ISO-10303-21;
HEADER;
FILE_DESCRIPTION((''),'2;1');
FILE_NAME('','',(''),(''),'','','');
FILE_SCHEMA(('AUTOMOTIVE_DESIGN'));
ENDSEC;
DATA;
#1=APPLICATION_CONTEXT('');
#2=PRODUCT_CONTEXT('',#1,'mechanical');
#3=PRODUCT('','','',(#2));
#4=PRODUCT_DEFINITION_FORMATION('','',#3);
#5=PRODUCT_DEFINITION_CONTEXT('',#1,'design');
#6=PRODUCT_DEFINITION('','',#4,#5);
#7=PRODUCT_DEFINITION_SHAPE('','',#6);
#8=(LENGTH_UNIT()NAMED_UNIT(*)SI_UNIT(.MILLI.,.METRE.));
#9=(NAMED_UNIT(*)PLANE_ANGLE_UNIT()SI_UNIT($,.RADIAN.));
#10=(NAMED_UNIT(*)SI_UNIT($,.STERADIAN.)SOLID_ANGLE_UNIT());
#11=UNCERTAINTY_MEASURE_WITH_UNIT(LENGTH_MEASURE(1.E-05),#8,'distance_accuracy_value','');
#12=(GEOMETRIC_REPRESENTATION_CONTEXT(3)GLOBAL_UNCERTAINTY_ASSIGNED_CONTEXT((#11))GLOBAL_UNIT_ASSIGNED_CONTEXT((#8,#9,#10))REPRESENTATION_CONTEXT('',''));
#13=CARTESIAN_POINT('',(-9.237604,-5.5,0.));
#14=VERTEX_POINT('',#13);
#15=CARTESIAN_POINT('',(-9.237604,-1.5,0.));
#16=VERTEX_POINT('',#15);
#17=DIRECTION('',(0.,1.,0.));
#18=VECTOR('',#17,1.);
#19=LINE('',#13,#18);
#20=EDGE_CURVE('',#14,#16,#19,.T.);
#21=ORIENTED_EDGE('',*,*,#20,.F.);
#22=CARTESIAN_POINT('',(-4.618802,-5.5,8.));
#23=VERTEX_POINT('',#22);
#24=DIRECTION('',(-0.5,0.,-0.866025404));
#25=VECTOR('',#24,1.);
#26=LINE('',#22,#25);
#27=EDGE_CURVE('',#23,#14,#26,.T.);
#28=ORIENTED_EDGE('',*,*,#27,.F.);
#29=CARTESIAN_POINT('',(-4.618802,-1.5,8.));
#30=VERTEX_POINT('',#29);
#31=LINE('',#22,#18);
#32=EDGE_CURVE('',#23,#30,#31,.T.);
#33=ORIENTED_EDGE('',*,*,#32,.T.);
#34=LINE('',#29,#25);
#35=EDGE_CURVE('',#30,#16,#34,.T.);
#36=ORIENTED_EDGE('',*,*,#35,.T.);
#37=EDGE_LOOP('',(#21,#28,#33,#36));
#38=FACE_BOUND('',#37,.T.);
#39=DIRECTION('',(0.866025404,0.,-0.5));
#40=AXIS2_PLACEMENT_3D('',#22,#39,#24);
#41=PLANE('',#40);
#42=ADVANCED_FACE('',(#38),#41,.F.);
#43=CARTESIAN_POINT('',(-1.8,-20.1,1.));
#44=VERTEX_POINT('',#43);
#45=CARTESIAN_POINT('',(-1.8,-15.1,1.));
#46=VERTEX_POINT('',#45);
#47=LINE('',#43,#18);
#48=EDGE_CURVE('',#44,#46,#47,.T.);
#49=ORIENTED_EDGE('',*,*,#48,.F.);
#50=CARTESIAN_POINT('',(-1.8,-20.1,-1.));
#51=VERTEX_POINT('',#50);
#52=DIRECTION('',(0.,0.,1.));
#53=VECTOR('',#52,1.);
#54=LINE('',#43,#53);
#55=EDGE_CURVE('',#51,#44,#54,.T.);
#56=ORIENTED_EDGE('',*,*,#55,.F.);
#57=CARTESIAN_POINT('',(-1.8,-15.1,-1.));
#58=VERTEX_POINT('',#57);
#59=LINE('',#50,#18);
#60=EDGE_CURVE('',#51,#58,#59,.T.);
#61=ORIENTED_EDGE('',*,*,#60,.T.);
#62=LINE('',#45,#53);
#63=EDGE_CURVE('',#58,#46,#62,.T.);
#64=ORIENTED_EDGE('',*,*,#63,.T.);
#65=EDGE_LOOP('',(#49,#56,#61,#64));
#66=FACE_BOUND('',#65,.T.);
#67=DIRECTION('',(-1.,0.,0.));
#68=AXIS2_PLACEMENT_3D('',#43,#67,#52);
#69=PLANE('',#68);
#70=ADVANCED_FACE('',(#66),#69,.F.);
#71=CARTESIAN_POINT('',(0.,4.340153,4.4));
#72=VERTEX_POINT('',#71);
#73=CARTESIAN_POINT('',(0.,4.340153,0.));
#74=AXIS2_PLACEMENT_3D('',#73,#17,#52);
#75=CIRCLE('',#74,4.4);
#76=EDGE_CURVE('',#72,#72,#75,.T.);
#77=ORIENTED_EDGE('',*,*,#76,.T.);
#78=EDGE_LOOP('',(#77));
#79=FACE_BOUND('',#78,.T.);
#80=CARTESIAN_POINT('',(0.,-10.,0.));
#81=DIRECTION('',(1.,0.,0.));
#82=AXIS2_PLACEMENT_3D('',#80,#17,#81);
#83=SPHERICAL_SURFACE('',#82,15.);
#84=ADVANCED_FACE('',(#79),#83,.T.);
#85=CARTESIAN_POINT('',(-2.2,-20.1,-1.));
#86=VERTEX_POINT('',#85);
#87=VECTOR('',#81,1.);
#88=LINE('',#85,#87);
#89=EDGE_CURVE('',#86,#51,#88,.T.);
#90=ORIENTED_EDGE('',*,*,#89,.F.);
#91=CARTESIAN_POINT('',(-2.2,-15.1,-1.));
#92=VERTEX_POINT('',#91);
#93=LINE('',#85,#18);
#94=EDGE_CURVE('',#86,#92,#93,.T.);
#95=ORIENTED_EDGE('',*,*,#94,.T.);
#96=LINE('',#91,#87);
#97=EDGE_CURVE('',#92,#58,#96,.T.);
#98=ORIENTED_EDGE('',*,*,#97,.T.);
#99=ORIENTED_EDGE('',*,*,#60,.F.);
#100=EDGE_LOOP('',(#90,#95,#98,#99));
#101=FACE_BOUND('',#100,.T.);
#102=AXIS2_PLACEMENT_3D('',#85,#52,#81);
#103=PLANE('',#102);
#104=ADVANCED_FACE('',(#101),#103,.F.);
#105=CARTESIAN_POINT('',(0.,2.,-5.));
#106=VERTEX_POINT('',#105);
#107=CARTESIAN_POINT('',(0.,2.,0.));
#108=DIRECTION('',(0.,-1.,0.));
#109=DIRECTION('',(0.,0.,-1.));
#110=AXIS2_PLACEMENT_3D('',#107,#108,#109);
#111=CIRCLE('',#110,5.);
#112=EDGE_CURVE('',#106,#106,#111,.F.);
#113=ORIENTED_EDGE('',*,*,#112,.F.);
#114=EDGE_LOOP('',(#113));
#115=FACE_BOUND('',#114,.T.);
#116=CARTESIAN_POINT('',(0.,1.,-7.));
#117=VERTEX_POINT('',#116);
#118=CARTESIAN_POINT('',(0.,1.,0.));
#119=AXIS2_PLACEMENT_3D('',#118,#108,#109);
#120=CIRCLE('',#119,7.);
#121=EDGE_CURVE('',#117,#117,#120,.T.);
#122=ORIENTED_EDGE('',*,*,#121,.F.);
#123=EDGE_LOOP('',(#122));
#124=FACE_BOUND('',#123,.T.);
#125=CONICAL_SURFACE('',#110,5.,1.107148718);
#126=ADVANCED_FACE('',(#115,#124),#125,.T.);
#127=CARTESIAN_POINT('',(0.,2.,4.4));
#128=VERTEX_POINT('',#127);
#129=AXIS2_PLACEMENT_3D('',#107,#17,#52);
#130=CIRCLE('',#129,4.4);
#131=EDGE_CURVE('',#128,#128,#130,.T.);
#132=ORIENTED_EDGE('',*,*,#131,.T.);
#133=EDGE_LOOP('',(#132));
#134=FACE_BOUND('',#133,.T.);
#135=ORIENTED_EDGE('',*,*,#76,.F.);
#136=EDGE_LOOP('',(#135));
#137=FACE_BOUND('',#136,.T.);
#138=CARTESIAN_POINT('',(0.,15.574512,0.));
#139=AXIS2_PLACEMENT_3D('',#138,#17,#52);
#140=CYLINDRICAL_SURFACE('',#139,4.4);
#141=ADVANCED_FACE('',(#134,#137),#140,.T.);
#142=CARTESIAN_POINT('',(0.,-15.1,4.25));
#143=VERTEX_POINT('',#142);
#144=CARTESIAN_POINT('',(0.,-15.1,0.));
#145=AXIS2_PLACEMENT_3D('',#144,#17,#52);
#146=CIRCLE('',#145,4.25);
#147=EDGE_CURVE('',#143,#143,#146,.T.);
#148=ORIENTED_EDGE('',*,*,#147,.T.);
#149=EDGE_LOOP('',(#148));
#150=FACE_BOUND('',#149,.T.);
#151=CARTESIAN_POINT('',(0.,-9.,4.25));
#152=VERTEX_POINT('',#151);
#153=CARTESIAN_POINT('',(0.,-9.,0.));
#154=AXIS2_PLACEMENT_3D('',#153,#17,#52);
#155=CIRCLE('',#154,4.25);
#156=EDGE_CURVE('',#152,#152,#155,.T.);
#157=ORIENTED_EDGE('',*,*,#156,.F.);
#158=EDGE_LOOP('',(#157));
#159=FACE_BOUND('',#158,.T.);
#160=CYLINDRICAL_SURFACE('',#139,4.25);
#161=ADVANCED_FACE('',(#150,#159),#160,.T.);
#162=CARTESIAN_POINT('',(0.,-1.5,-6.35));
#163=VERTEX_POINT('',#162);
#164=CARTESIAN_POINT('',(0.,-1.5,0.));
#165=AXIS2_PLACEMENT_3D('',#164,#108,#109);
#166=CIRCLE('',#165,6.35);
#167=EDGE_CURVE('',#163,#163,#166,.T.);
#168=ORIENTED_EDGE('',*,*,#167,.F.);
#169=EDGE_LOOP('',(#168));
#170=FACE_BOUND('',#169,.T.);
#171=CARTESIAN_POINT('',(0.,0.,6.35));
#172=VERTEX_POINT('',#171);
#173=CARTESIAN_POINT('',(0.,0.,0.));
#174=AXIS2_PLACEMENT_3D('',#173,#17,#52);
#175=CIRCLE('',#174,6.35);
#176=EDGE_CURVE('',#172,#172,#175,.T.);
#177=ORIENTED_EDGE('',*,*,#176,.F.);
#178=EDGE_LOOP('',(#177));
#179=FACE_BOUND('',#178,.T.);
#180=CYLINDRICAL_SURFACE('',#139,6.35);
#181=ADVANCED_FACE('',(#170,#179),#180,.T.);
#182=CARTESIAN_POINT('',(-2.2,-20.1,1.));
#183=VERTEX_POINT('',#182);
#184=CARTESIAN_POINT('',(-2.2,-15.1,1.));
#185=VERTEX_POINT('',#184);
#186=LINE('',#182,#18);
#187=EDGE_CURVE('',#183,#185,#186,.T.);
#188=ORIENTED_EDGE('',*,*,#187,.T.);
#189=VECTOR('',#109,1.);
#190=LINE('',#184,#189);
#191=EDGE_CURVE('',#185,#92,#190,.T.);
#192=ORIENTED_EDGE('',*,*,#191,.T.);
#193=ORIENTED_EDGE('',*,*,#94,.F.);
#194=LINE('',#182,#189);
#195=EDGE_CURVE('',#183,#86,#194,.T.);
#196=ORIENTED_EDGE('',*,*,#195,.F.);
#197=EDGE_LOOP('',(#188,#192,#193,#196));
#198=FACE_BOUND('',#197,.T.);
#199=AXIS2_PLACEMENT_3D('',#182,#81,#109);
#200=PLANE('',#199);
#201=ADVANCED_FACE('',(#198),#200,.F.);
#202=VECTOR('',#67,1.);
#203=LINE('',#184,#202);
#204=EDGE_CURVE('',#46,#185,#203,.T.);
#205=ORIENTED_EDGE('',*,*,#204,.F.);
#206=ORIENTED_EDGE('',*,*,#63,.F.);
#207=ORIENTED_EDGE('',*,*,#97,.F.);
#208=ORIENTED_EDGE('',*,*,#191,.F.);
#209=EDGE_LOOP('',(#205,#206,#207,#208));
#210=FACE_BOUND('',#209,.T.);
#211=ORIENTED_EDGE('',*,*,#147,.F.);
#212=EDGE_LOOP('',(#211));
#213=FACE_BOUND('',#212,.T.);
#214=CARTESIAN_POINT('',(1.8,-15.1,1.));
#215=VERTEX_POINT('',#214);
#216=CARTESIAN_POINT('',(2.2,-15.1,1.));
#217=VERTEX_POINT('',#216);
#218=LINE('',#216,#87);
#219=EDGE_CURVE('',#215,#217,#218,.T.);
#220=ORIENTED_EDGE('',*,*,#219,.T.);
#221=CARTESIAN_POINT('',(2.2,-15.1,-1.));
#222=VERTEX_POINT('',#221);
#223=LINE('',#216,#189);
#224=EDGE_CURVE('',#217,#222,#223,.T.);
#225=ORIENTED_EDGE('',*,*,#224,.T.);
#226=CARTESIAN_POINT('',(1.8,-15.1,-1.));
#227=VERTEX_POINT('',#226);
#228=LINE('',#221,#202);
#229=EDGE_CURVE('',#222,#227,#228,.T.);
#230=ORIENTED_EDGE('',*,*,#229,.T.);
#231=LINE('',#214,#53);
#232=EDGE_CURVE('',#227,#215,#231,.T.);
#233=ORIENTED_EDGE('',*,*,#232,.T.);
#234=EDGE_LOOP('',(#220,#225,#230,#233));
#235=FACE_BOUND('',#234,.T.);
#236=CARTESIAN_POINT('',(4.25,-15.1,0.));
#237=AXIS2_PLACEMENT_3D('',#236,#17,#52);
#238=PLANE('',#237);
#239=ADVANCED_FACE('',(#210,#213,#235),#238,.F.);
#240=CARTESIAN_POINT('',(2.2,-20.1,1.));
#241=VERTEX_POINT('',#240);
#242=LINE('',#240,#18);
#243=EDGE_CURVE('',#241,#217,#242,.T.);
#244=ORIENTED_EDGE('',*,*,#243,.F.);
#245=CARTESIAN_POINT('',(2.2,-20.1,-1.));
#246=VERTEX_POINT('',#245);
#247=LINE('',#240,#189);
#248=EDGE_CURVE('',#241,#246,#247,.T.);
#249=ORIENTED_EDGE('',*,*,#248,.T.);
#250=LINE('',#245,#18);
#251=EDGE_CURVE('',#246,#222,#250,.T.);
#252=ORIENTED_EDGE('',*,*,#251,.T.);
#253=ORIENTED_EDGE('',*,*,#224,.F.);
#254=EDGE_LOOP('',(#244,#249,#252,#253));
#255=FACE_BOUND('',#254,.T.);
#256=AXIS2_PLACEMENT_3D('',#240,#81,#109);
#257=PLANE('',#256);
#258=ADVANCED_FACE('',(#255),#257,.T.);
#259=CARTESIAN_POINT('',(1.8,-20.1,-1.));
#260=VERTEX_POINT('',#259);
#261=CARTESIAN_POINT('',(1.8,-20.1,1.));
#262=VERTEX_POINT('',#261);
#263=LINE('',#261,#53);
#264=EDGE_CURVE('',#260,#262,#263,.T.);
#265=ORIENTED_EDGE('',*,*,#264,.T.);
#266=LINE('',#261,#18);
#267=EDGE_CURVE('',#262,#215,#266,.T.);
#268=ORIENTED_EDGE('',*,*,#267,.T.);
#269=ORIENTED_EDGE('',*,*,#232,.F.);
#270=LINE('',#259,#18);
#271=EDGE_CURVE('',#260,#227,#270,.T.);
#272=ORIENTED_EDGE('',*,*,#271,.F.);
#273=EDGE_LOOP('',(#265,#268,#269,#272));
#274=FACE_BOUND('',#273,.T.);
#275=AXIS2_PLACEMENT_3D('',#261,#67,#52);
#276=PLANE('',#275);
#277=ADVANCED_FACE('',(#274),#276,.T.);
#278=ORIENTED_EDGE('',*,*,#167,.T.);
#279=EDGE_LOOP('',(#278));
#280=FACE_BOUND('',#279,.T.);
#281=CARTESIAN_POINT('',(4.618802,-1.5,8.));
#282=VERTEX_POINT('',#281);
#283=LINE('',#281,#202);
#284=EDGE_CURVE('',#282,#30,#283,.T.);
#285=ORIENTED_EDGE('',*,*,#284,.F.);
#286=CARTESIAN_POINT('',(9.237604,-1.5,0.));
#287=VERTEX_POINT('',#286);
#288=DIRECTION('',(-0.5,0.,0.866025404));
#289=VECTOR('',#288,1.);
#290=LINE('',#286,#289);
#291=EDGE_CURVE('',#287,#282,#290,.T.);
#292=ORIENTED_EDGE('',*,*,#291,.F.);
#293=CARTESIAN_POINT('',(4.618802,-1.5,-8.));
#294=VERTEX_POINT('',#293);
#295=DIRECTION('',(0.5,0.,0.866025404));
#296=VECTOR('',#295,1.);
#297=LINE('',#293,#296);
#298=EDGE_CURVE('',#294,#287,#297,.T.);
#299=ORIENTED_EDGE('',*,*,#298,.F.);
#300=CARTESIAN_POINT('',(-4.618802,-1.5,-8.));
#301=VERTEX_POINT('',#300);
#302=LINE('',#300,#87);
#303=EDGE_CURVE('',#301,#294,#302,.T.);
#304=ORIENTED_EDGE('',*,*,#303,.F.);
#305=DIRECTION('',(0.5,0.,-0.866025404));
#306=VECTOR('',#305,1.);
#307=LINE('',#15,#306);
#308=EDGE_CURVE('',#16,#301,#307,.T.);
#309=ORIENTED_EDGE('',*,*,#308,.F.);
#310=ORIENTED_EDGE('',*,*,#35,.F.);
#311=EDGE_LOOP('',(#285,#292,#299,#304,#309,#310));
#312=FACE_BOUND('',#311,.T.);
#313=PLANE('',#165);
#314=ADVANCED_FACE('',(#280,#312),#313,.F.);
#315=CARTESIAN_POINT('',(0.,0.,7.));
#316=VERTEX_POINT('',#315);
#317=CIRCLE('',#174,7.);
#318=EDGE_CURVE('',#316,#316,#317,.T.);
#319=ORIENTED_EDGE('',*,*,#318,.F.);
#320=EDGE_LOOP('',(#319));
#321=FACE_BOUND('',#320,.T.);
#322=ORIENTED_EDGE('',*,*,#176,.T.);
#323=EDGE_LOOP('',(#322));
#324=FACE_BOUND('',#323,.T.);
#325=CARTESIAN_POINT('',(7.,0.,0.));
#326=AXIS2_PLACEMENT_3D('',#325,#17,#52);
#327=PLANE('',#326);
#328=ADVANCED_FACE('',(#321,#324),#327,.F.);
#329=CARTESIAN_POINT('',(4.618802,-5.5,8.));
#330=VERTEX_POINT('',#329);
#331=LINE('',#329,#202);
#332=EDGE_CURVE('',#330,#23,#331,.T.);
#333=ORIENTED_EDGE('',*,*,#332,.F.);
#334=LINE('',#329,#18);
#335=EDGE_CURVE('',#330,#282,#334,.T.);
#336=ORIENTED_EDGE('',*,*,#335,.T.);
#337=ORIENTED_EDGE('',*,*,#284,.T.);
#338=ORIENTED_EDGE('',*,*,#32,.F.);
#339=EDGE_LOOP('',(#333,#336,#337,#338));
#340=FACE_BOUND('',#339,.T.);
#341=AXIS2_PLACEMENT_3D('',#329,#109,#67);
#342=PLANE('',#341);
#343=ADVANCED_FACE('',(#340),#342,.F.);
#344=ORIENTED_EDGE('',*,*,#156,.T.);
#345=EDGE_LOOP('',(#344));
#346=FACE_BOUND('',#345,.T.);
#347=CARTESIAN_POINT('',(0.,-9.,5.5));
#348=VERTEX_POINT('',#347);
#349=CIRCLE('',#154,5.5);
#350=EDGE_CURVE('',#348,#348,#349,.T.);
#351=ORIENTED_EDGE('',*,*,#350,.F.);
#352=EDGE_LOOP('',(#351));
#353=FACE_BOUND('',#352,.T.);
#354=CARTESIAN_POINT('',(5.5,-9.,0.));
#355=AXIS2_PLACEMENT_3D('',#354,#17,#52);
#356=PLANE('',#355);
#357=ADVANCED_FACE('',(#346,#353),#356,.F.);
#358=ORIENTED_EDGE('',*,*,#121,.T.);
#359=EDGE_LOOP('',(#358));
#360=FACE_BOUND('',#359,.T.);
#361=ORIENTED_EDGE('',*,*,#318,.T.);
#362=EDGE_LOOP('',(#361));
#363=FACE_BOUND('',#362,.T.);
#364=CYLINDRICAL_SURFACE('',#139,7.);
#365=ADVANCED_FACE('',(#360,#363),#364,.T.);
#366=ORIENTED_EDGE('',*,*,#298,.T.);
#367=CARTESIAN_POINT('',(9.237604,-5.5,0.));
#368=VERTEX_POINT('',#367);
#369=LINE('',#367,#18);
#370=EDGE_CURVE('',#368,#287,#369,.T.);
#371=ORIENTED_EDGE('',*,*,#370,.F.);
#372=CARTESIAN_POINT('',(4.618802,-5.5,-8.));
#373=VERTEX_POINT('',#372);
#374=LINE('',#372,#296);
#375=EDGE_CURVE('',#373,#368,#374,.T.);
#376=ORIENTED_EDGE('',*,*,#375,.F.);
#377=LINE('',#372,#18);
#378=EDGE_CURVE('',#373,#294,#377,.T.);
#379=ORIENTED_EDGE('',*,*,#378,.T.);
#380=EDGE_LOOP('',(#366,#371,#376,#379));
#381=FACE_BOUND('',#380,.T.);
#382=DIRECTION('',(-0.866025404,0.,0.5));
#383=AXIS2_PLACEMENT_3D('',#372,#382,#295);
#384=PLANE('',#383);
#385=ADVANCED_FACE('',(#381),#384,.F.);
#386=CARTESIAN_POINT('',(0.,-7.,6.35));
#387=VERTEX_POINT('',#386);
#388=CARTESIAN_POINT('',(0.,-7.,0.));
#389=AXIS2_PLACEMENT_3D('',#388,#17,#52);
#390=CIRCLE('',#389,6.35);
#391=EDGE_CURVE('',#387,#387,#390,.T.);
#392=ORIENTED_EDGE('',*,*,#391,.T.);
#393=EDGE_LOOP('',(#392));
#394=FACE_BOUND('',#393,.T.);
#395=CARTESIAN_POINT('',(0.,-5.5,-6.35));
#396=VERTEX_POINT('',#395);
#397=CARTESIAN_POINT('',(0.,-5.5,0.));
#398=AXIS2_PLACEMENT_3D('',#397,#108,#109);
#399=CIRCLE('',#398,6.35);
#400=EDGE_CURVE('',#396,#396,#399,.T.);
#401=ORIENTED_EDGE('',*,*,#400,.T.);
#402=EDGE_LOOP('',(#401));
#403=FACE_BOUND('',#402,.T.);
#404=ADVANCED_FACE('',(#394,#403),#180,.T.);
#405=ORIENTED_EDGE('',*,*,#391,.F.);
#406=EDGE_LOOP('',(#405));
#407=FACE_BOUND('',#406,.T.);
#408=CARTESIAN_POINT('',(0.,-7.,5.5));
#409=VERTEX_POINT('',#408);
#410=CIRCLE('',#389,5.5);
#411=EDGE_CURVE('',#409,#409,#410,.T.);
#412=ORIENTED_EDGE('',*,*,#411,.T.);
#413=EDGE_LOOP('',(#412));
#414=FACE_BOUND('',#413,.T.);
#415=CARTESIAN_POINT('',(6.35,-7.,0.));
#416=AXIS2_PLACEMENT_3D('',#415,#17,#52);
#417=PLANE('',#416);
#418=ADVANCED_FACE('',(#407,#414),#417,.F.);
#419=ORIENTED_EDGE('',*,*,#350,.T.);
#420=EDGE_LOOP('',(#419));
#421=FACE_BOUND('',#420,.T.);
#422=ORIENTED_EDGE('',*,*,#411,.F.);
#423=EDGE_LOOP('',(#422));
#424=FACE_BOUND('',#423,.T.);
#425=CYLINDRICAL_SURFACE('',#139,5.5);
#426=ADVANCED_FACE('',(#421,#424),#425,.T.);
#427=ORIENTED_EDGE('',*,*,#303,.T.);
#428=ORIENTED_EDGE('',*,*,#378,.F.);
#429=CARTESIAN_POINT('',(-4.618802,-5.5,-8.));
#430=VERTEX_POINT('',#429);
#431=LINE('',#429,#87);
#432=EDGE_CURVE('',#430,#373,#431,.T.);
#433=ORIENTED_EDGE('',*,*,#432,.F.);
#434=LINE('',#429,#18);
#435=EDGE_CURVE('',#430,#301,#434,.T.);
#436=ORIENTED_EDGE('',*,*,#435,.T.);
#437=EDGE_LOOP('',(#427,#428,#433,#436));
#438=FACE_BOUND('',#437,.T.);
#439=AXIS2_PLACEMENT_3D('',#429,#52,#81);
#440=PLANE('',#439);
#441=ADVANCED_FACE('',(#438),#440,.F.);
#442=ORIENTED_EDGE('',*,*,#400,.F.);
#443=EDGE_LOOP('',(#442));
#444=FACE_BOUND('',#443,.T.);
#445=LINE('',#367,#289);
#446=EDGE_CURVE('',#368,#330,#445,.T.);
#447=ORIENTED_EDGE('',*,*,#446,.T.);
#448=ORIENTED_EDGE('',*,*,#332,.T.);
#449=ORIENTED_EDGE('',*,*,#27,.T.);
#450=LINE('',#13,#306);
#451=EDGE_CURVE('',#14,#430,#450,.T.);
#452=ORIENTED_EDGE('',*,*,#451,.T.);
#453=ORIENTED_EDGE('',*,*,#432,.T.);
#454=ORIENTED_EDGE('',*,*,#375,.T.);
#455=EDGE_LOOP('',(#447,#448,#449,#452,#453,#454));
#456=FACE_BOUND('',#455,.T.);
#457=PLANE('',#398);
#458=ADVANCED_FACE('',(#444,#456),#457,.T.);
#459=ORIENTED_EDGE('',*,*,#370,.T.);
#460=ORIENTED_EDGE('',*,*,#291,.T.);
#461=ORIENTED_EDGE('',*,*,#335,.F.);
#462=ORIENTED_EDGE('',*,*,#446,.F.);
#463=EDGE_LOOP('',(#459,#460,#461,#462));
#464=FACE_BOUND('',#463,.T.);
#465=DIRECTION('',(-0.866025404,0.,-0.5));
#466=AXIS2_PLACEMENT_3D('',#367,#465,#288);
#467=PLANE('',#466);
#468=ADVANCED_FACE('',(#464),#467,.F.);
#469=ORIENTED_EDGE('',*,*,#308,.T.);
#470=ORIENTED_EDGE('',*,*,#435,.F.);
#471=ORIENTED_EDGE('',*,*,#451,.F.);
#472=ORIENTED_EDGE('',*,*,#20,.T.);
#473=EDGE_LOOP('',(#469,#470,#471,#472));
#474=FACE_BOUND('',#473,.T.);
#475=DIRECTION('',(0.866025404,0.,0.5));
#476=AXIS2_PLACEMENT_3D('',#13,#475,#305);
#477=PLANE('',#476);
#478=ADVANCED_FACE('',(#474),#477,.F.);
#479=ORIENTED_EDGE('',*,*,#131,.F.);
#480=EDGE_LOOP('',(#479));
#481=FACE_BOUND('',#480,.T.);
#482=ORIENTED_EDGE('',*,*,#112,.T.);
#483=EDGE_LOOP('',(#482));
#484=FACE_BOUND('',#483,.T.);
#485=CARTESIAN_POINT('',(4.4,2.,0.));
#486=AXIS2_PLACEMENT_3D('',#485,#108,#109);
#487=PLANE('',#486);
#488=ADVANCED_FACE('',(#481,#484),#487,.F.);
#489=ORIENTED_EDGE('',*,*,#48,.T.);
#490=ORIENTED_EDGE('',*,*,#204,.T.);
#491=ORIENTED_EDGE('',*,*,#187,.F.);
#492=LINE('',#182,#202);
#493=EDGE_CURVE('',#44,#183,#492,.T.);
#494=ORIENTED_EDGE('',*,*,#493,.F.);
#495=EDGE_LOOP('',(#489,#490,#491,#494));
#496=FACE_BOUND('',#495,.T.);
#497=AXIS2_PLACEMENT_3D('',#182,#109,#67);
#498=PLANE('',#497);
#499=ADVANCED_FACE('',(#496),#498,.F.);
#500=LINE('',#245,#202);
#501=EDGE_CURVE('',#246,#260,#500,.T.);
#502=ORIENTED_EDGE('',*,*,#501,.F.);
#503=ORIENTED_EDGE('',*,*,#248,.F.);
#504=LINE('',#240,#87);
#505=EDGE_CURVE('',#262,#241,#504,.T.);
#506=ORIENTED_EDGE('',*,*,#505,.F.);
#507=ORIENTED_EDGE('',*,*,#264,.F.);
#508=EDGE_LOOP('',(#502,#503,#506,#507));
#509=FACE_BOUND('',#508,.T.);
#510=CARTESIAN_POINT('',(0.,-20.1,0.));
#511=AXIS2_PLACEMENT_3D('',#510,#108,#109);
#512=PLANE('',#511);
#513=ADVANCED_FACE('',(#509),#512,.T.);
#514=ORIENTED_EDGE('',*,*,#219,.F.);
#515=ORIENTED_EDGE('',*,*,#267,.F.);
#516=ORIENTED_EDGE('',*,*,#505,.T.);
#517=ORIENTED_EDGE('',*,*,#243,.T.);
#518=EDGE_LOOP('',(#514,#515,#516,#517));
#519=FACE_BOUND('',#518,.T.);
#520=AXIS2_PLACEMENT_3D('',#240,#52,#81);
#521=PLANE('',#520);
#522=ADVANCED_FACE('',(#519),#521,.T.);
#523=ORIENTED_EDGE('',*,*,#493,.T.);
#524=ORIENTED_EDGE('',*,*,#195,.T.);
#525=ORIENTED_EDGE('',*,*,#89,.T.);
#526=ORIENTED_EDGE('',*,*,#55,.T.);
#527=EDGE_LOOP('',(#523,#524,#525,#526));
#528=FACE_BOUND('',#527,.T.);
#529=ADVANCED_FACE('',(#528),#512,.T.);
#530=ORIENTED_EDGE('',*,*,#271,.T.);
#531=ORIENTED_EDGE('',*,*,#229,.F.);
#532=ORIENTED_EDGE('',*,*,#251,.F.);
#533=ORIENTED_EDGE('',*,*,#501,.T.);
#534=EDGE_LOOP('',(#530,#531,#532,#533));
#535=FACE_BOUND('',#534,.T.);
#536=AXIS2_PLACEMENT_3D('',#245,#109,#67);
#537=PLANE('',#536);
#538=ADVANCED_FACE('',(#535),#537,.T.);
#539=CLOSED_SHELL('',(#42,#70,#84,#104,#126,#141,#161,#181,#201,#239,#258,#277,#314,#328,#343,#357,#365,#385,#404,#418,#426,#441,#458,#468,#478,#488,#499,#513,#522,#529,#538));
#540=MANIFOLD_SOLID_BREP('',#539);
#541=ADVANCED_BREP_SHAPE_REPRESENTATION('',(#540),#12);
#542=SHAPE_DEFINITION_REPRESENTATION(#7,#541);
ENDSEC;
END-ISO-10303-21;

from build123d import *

# Parameters (mm, degrees)
BOSS_EXTRU_1_START = 1.5
BOSS_EXTRU_1_DEPTH = 4
CHANFREIN1_SIZE    = 1
CHANFREIN1_SIZE2   = 2
ESQUISSE3_W        = 0.4
ESQUISSE3_H        = 2
BOSS_EXTRU_2_DEPTH = 5


with BuildPart() as part:
    # Esquisse1 → Révolution1 (revolve)
    with BuildSketch(Plane.XY, mode=Mode.PRIVATE) as r_volution1_sk:
        with BuildLine():
            Line((4.4, 4.340153416), (4.4, 2))
            Line((4.4, 2), (7, 2))
            Line((7, 2), (7, 0))
            Line((7, 0), (6.35, 0))
            Line((6.35, 0), (6.35, -7))
            Line((6.35, -7), (5.5, -7))
            Line((5.5, -7), (5.5, -9))
            Line((5.5, -9), (4.25, -9))
            Line((4.25, -9), (4.25, -15.1))
            Line((4.25, -15.1), (0, -15.1))
            Line((0, -15.1), (0, 5))
            ThreePointArc((0, 5), (2.224600948, 4.834121161), (4.4, 4.340153416))
        make_face()
    revolve(r_volution1_sk.sketch.rotate(Axis((0, 15.574511932, 0), (0, -1, 0)), 90), axis=Axis((0, 15.574511932, 0), (0, -1, 0)))

    # Esquisse2 → Boss.-Extru.1 (add)
    with BuildSketch(Plane.XZ.offset(BOSS_EXTRU_1_START)):
        Polygon((4.618802154, -8), (9.237604307, 0), (4.618802154, 8), (-4.618802154, 8), (-9.237604307, 0), (-4.618802154, -8), align=None)
    extrude(amount=BOSS_EXTRU_1_DEPTH)

    # Chanfrein1
    chanfrein1_edges = [part.edges().sort_by_distance(p)[0] for p in [
        (0, 2, -7),
    ]]
    chanfrein1_side = [part.faces().sort_by_distance(p)[0] for p in [
        (0, 1, -7),
    ]]
    chamfer(chanfrein1_edges, length=CHANFREIN1_SIZE, length2=CHANFREIN1_SIZE2, reference=chanfrein1_side[0])

    # Esquisse3 → Boss.-Extru.2 (add)
    with BuildSketch(Plane.XZ.offset(15.1)):
        with Locations((-2, 0)):
            Rectangle(ESQUISSE3_W, ESQUISSE3_H)
    boss_extru_2 = extrude(amount=BOSS_EXTRU_2_DEPTH)

    # Symétrie1: Boss.-Extru.2 across plane
    add(boss_extru_2.mirror(Plane(origin=(0, 0, 0), x_dir=(0, 0, 1), z_dir=(1, 0, 0))))


solid = part.part
